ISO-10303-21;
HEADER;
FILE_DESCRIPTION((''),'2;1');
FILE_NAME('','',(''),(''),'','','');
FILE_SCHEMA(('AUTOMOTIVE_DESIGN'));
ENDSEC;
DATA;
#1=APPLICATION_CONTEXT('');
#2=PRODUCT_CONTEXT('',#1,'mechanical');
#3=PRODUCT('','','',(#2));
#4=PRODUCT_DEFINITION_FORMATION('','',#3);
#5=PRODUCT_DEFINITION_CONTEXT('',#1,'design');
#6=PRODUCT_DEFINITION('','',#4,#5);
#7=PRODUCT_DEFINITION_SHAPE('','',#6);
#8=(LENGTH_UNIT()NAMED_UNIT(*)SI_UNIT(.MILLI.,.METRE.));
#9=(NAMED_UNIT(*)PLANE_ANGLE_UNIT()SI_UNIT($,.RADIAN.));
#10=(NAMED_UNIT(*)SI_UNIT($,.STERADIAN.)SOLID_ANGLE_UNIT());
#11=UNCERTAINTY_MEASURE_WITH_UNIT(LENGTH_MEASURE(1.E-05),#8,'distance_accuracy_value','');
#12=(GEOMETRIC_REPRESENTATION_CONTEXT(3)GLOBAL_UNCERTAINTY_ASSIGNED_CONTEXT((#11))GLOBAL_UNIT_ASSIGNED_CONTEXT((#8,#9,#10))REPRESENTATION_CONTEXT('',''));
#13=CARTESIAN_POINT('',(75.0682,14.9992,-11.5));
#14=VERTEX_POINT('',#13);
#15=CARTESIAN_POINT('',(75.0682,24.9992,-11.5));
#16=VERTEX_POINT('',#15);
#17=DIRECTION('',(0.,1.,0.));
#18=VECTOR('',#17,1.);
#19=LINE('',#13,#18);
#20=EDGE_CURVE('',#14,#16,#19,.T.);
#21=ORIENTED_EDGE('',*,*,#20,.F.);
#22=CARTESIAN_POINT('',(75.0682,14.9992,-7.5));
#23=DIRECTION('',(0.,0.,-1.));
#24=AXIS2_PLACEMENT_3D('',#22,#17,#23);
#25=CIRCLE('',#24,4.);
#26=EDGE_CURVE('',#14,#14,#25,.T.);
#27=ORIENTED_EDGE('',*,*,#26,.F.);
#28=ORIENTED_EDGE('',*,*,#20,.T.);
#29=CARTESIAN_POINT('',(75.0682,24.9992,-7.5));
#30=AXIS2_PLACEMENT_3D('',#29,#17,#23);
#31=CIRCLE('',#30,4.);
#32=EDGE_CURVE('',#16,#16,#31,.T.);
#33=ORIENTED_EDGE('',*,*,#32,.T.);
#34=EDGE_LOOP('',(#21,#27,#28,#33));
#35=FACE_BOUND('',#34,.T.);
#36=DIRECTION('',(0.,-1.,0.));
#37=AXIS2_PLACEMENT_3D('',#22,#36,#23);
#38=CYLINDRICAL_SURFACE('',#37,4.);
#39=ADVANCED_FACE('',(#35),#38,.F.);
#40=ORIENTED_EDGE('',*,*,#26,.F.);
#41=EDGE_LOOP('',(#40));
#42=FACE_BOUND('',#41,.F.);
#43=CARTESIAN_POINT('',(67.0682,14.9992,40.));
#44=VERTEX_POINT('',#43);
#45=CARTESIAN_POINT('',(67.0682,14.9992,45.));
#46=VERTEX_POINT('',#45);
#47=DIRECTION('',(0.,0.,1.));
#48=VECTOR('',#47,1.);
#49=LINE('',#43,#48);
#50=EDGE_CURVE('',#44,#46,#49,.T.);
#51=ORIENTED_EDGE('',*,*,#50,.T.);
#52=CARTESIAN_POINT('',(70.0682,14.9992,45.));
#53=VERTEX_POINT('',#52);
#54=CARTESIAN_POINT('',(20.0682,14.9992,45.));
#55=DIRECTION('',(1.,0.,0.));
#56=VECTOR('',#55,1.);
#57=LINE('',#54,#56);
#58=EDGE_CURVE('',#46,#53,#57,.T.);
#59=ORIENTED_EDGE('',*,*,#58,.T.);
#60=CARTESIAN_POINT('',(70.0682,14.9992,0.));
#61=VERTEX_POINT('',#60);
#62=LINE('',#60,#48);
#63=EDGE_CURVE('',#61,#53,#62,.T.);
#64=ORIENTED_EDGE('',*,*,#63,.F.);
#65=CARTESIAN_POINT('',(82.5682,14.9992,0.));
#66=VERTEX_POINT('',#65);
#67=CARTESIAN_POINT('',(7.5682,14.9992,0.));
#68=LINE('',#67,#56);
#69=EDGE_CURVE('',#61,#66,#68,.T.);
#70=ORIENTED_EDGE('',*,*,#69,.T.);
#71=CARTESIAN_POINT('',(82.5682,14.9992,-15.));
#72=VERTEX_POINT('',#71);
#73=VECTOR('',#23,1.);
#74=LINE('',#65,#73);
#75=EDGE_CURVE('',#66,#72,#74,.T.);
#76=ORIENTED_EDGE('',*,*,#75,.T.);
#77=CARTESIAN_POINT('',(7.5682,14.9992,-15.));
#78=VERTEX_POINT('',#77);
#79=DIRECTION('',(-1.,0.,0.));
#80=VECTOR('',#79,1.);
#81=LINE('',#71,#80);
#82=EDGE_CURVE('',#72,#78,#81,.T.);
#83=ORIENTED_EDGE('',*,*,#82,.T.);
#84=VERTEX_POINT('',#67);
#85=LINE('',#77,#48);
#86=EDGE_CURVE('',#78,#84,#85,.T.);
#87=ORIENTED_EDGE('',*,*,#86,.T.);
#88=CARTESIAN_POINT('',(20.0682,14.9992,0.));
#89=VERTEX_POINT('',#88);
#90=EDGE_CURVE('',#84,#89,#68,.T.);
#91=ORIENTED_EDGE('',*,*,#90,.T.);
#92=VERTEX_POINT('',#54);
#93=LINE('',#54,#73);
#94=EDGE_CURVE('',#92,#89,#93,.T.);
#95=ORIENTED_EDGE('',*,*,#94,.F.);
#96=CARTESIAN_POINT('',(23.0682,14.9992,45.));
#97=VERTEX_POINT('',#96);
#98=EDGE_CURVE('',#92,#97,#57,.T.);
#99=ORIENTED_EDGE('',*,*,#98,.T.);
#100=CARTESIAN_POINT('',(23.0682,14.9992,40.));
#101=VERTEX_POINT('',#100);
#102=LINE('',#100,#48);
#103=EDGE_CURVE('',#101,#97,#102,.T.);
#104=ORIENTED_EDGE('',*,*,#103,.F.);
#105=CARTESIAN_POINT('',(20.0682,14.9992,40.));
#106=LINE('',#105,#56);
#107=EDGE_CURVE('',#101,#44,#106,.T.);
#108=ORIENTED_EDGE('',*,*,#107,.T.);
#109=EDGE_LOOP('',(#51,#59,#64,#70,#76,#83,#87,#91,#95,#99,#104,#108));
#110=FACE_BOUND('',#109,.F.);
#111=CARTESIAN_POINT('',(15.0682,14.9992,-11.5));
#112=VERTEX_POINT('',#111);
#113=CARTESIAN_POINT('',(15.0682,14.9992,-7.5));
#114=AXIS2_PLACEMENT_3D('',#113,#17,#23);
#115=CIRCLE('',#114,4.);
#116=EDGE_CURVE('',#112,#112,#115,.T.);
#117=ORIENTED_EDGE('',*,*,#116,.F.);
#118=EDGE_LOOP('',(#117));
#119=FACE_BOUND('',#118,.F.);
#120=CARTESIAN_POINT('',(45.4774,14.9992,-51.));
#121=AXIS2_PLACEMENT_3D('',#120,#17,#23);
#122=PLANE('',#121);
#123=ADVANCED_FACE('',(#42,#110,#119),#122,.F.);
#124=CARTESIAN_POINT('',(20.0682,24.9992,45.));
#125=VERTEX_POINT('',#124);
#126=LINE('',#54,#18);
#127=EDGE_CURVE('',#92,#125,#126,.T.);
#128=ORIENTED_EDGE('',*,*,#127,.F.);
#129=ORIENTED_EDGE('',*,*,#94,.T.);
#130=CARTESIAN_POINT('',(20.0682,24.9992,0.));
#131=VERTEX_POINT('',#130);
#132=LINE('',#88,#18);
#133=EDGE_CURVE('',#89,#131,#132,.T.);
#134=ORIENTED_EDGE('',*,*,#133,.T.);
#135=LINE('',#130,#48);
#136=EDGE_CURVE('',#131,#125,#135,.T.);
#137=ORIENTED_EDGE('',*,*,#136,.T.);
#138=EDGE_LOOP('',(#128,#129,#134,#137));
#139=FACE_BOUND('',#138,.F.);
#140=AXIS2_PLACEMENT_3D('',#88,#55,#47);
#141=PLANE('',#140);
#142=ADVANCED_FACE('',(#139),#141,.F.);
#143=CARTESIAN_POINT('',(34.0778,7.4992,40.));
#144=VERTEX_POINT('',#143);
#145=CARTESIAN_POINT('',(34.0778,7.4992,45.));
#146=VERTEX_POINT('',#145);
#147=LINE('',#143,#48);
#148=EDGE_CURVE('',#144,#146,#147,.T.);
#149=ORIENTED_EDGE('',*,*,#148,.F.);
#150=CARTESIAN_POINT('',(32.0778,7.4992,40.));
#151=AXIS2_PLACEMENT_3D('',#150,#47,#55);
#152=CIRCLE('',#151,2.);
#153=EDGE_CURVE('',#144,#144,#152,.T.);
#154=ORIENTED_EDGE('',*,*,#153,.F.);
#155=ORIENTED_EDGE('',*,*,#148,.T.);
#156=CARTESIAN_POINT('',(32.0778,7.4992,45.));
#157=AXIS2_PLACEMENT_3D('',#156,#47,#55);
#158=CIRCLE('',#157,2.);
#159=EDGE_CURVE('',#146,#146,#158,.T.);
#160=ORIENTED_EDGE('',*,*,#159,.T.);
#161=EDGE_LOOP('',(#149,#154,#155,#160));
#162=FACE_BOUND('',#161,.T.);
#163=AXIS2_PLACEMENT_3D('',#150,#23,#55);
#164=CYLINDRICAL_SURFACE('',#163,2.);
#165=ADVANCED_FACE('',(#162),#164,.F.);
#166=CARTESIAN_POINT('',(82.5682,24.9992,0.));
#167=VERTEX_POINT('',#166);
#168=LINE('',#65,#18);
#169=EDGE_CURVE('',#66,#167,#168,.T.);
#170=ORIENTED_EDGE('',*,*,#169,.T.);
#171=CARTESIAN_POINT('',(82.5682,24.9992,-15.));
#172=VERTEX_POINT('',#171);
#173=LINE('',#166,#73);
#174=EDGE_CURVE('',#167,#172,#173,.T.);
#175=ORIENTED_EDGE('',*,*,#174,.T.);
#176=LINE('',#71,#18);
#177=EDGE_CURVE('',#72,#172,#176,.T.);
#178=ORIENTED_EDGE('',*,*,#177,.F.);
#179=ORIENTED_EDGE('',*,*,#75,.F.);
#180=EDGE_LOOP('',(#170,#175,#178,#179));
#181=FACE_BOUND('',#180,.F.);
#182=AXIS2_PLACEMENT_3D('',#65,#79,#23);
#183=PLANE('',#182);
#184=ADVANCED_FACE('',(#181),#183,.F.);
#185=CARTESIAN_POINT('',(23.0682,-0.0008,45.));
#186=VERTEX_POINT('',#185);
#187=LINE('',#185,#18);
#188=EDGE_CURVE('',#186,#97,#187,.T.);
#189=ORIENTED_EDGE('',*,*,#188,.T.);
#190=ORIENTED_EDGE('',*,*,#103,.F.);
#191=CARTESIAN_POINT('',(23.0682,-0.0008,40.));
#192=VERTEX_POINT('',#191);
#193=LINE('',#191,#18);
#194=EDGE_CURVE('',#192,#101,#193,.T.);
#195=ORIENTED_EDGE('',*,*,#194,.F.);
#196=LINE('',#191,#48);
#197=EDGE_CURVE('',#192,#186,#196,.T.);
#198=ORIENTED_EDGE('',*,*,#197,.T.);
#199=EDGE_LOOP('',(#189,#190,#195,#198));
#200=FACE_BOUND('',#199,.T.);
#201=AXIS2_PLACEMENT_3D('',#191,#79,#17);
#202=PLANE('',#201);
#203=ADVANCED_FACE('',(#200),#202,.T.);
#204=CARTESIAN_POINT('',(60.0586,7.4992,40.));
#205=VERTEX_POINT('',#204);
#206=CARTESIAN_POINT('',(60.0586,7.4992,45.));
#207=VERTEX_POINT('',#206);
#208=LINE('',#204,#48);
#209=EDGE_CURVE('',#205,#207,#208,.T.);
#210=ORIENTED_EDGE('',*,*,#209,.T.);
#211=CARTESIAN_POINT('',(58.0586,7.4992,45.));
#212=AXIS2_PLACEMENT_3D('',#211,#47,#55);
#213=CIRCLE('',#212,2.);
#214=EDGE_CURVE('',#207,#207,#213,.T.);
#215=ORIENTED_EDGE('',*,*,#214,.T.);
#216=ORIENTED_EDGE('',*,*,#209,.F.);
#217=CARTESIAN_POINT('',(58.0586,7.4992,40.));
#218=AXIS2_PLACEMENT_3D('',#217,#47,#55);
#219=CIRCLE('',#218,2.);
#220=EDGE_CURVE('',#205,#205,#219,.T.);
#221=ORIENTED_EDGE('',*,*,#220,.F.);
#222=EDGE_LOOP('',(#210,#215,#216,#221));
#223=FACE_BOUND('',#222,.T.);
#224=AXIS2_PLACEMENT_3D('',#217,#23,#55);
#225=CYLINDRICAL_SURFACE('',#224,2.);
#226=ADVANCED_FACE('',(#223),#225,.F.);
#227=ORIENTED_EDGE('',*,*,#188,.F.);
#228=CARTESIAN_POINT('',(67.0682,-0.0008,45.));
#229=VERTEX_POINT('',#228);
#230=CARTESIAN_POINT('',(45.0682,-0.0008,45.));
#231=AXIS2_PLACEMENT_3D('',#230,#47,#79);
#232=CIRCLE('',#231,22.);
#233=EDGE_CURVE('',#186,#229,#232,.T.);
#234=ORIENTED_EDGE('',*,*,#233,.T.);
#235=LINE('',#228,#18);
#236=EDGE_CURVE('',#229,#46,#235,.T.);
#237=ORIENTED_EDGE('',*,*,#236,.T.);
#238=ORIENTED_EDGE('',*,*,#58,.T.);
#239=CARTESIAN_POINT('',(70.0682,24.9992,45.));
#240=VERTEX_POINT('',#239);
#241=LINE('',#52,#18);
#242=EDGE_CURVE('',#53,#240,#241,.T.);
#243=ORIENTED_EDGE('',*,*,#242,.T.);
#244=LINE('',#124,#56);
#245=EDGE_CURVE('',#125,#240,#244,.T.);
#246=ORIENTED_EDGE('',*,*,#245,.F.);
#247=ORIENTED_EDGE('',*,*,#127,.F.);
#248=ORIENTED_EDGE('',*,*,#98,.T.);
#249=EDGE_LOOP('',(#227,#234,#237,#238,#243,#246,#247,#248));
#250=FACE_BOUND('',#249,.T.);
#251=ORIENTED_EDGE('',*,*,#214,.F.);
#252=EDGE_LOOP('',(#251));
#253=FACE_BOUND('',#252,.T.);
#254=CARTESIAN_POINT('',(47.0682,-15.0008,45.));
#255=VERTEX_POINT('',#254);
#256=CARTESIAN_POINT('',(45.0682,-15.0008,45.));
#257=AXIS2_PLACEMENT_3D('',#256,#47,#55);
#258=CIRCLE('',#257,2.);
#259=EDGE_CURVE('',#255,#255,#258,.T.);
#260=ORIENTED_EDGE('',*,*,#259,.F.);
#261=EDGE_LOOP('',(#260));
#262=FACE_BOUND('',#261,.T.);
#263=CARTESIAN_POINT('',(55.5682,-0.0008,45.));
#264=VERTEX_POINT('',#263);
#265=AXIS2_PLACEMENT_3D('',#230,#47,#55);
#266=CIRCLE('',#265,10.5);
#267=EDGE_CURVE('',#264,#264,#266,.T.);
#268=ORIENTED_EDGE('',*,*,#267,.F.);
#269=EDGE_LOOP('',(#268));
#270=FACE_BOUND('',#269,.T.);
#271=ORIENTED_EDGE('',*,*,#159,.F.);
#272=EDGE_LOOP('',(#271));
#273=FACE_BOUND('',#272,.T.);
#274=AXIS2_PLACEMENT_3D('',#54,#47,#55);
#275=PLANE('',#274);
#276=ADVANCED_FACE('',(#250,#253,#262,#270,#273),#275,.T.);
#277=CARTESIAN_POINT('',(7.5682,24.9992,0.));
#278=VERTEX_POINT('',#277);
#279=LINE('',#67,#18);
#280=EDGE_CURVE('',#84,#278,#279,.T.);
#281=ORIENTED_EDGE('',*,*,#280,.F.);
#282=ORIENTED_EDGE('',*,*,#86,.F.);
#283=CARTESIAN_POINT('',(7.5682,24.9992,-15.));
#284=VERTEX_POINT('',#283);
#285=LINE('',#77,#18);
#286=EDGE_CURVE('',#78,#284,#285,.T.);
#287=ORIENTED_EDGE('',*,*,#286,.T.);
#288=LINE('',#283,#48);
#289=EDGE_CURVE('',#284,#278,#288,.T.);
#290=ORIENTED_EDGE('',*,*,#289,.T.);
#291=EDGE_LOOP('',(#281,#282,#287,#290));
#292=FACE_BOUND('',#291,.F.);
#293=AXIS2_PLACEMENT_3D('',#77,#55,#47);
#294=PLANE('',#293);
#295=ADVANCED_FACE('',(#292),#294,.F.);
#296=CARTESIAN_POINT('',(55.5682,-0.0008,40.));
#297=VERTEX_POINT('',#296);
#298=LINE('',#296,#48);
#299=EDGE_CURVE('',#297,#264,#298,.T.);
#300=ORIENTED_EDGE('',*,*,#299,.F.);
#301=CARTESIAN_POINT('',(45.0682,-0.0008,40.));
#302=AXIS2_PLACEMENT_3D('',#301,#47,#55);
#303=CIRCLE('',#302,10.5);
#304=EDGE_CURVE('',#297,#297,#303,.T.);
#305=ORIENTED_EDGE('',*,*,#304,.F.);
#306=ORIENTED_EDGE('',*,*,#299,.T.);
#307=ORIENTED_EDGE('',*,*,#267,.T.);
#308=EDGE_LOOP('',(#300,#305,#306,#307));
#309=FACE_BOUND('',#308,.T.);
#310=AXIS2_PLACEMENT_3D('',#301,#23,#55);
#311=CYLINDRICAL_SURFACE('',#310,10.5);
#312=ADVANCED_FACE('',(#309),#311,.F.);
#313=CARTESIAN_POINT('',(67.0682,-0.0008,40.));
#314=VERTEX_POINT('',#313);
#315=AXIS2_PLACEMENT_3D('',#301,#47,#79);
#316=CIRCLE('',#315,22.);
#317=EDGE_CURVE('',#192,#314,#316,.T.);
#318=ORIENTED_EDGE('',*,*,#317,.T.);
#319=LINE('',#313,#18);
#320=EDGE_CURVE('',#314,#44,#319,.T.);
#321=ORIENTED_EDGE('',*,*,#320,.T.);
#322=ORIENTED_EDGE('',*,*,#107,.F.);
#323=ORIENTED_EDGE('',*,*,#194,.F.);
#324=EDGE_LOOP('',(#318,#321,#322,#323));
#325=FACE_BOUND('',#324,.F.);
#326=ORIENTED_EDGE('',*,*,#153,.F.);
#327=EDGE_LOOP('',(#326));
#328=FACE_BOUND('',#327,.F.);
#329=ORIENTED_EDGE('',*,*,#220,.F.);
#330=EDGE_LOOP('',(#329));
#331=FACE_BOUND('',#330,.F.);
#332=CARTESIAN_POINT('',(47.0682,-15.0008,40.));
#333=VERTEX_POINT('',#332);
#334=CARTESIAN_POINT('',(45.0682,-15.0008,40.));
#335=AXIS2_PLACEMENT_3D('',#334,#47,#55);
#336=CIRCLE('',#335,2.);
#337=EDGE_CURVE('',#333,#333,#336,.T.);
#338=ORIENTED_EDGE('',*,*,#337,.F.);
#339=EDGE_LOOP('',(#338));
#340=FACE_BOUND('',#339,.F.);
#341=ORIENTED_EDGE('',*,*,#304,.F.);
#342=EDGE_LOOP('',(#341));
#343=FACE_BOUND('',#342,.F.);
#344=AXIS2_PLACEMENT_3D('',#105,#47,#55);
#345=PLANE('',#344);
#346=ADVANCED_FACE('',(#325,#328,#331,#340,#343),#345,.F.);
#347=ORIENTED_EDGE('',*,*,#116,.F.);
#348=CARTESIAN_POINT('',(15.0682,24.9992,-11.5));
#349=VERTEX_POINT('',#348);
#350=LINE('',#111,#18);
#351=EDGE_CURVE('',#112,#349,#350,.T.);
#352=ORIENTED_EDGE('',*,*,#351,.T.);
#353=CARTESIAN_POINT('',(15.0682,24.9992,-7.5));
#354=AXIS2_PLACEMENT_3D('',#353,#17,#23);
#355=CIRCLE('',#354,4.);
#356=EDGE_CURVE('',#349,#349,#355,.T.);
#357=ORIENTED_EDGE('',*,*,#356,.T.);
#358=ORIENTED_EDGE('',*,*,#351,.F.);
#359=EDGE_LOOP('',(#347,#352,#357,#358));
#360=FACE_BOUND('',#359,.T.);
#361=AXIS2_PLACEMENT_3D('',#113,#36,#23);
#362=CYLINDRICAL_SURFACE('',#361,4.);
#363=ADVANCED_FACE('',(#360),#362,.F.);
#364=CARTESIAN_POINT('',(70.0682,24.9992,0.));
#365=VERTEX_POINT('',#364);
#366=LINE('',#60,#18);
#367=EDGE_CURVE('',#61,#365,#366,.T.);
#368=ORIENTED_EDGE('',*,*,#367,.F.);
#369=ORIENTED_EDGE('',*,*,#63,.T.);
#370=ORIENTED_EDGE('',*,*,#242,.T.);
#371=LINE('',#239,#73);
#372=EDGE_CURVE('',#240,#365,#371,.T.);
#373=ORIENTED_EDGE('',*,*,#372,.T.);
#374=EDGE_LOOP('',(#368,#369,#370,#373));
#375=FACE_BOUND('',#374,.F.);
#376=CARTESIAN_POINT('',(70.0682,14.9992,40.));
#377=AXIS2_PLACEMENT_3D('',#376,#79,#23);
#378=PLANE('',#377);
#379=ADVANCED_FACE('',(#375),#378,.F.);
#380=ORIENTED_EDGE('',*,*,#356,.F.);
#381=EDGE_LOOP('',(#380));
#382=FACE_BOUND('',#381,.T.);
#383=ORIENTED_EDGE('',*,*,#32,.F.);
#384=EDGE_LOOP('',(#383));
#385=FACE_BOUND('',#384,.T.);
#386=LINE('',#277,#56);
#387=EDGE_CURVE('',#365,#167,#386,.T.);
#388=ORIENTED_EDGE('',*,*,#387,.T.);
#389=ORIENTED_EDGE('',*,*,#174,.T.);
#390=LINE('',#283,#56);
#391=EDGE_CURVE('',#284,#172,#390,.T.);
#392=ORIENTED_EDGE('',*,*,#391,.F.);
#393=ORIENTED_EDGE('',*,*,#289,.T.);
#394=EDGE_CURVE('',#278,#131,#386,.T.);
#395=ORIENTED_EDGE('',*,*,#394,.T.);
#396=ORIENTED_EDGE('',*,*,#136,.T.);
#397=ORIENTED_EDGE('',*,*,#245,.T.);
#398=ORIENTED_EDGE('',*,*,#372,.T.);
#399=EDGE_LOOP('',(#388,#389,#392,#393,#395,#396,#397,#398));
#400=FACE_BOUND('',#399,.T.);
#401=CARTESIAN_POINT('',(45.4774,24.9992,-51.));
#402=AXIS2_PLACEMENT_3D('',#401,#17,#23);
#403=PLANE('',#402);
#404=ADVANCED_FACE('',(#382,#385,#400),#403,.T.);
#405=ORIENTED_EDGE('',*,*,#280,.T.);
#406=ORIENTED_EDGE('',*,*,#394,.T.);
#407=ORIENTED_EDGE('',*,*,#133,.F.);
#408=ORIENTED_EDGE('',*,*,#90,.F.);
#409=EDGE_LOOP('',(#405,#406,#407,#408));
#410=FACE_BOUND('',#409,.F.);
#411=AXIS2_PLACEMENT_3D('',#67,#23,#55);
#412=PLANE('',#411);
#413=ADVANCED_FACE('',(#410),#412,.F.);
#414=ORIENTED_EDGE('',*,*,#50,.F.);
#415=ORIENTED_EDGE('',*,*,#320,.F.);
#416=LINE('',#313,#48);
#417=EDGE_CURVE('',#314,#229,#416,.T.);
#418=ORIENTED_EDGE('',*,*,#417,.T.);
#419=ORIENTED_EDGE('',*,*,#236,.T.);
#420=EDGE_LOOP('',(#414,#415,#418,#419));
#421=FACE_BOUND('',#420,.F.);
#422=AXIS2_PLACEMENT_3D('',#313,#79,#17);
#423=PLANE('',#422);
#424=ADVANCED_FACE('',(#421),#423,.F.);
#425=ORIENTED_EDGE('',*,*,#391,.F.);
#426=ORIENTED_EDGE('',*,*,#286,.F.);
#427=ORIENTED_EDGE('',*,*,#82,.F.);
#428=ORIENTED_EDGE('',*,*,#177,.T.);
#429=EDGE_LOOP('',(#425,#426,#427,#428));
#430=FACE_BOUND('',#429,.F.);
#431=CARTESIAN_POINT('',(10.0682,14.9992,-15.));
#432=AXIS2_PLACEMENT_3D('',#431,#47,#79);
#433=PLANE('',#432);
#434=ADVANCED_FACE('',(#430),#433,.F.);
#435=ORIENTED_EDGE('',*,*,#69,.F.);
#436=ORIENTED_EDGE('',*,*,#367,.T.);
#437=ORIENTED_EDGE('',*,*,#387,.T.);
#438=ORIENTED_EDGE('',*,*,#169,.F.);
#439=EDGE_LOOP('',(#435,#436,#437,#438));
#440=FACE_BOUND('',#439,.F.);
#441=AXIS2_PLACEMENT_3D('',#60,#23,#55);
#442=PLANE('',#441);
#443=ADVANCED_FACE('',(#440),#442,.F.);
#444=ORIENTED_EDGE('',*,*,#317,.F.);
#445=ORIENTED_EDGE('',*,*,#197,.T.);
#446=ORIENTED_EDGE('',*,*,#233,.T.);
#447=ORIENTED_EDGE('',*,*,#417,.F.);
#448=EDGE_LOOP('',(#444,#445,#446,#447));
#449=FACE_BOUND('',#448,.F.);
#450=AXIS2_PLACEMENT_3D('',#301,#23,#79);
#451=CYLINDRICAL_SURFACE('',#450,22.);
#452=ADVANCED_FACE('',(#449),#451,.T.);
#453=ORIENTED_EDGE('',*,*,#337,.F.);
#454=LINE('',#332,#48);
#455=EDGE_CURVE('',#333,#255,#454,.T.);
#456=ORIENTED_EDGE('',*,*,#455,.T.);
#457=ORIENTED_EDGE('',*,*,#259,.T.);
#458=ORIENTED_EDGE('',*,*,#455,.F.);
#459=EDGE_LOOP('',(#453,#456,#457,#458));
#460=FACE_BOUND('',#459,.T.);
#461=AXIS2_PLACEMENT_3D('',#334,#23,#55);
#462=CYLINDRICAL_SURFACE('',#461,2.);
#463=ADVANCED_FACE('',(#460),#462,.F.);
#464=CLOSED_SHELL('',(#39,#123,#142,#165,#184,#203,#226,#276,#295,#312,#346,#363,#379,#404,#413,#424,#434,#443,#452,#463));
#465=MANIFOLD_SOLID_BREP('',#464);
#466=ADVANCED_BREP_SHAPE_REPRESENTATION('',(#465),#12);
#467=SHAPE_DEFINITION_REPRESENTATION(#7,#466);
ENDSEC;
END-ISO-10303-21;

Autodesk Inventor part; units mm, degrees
ref_plane "YZ Plane" through (0, 0, 0) normal (1, 0, 0) x (0, 1, 0)
ref_plane "XZ Plane" through (0, 0, 0) normal (0, 1, 0) x (-1, 0, 0)
ref_plane "XY Plane" through (0, 0, 0) normal (0, 0, 1) x (1, 0, 0)
ref_plane "Work Plane1" through (45.4774, 14.9992, -51) normal (0, 1, 0) x (0, 0, -1)
sketch "Sketch1" plane through (45.4774, 14.9992, -51) normal (0, 1, 0) x (0, 0, -1)
  line L0 (-43.5, 30.4092) -> (-43.5, -29.5908) construction
  line L1 (-36, 37.9092) -> (-51, 37.9092)
  line L2 (-51, 37.9092) -> (-51, -37.0908)
  line L3 (-51, -37.0908) -> (-36, -37.0908)
  line L4 (-36, -37.0908) -> (-36, 37.9092)
  circle A0 centre (-43.5, 30.4092) radius 4
  circle A1 centre (-43.5, -29.5908) radius 4
  line L5 (-51, 25.4092) -> (-91, 25.4092)
  line L6 (-91, 25.4092) -> (-91, -24.5908)
  line L7 (-91, -24.5908) -> (-51, -24.5908)
  line L8 (-51, -24.5908) -> (-51, 25.4092)
  circle A2 centre (93.5, 21.4092) radius 4 projected
  circle A3 centre (93.5, -20.5908) radius 4 projected
  line L9 (51, -30.5908) -> (51, 31.4092) projected
  line L10 (51, 31.4092) -> (86, 31.4092) projected
  line L11 (86, 31.4092) -> (86, -30.5908) projected
  line L12 (86, -30.5908) -> (51, -30.5908) projected
  circle A4 centre (-43.5, 30.4092) radius 4 projected
  circle A5 centre (43.5, -29.5908) radius 4 projected
  circle A6 centre (0, -29.5908) radius 4 projected
  circle A7 centre (0, 30.4092) radius 4 projected
  circle A8 centre (43.5, 30.4092) radius 4 projected
  circle A9 centre (-43.5, -29.5908) radius 4 projected
  line L13 (-36, -34.5908) -> (-36, 35.4092) projected
  line L14 (-36, 35.4092) -> (-8, 35.4092) projected
  line L15 (-8, 35.4092) -> (-8, -34.5908) projected
  line L16 (-8, -34.5908) -> (-36, -34.5908) projected
  line L17 (8, -34.5908) -> (8, 35.4092) projected
  line L18 (8, 35.4092) -> (36, 35.4092) projected
  line L19 (36, 35.4092) -> (36, -34.5908) projected
  line L20 (36, -34.5908) -> (8, -34.5908) projected
  line L21 (-51, -44.5908) -> (101, -44.5908) projected
  line L22 (101, -44.5908) -> (101, 45.4092) projected
  line L23 (101, 45.4092) -> (-51, 45.4092) projected
  line L24 (-51, 45.4092) -> (-51, -44.5908) projected
  point P0 (-51, 0.4092)
  point P1 (-36, 0.4092)
  dimension "d0" = 75
  dimension "d1" = 15
  dimension "d2" = 40
  dimension "d3" = 50
  dimension "d14" = 8
extrude "Extrusion1" add sketch "Sketch1" along normal blind 10 contours L4 L3 L2 L1 | L2 L7 L6 L5
sketch "Sketch2" plane through (20.0682, 14.9992, 40) normal (0, 0, 1) x (1, 0, 0)
  line L0 (0, 0) -> (50, 0) projected
  line L1 (50, 0) -> (50, 10) projected
  line L2 (0, 10) -> (50, 10) projected
  line L3 (0, 0) -> (0, 10) projected
  arc A0 (36, -15) -> (14, -15) centre (25, -15) ccw construction
  arc A1 (3, -15) -> (47, -15) centre (25, -15) ccw
  line L4 (3, -15) -> (3, 0)
  line L5 (47, -15) -> (47, 0)
  circle A2 centre (25, -15) radius 10.5
  circle A3 centre (25, -15) radius 15 construction
  circle A4 centre (25, -30) radius 2
  circle A5 centre (12.0096, -7.5) radius 2
  circle A6 centre (37.9904, -7.5) radius 2
  line L6 (25, -15) -> (25, -30) construction
  line L7 (25, -15) -> (37.9904, -7.5) construction
  line L8 (25, -15) -> (12.0096, -7.5) construction
  point P0 (-20.0682, -14.9992)
  dimension "d6" = 22
  dimension "d7" = 21
  dimension "d8" = 30
  dimension "d9" = 4
  dimension "d10" = 120
  dimension "d11" = 120
extrude "Extrusion2" add sketch "Sketch2" along normal blind 5
properties part number "encoder bracket"
